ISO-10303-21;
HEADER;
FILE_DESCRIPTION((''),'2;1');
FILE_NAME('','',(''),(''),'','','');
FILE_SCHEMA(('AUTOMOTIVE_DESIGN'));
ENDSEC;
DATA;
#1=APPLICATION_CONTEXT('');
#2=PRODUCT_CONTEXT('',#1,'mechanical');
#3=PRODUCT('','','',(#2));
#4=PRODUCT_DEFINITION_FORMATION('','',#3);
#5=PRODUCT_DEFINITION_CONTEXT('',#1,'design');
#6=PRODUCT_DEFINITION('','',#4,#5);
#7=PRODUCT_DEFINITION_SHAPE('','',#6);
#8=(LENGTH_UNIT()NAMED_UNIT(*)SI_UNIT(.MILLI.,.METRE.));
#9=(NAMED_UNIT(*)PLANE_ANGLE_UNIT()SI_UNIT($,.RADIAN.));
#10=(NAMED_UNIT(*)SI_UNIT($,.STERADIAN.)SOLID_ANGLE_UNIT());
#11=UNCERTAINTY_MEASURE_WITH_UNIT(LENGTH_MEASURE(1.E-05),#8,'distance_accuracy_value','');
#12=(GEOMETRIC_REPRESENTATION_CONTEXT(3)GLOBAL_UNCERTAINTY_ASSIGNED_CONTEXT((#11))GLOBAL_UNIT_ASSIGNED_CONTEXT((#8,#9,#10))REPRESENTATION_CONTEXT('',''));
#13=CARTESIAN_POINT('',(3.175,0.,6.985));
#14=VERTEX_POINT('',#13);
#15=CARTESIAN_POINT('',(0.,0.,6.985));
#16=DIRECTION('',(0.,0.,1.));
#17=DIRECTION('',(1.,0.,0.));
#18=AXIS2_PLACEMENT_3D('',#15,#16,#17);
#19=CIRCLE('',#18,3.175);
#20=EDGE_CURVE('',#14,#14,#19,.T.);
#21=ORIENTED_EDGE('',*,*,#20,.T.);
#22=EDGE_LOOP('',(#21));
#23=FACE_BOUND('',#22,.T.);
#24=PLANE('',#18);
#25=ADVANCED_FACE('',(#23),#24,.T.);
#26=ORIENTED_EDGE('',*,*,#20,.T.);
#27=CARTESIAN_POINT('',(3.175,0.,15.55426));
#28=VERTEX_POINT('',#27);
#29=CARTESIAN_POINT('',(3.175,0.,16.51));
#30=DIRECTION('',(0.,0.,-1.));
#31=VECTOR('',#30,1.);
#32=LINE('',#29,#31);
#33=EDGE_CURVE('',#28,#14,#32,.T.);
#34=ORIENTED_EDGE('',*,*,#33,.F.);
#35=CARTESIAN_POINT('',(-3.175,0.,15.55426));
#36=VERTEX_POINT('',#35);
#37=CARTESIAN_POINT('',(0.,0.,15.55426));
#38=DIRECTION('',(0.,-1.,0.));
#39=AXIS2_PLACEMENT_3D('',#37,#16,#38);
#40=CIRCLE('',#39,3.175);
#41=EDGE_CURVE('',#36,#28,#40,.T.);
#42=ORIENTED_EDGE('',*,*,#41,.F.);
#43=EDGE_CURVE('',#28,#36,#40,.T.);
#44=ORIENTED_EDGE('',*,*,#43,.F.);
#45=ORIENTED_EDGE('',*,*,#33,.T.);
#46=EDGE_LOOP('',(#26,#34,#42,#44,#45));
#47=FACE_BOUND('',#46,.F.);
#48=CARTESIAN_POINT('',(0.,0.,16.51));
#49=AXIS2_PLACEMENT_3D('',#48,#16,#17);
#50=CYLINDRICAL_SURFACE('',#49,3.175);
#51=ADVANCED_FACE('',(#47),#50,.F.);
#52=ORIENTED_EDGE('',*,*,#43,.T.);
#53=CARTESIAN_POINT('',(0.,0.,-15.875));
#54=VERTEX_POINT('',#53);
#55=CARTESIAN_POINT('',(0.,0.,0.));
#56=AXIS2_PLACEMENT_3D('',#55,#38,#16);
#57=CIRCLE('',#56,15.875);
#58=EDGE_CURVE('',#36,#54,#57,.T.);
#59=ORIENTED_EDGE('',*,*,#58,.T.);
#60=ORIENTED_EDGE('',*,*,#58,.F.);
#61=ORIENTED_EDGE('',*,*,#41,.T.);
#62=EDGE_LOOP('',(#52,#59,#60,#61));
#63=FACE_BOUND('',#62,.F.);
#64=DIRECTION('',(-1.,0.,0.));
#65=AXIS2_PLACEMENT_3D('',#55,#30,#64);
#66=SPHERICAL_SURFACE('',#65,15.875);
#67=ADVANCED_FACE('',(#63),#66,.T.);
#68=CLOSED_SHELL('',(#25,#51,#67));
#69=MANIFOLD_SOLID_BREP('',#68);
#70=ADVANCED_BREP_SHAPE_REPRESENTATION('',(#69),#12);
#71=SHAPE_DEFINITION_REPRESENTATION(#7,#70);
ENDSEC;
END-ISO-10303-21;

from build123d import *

# Parameters (mm, degrees)
F4_R     = 3.175
F5_DEPTH = 9.525


with BuildPart() as f2:
    # F0 (on Front) → F2 (revolve)
    with BuildSketch(Plane.XZ):
        with BuildLine():
            Line((0, -15.875), (0, 15.875))
            ThreePointArc((0, 15.875), (-15.875, 0), (0, -15.875))
        make_face()
    revolve(axis=Axis((0, 0, 0), (0, 0, 1)))

    # F4 (on offset) → F5 (cut)
    with BuildSketch(Plane.XY.offset(16.51)):
        Circle(F4_R)
    extrude(amount=-F5_DEPTH, mode=Mode.SUBTRACT)


solid = f2.part
